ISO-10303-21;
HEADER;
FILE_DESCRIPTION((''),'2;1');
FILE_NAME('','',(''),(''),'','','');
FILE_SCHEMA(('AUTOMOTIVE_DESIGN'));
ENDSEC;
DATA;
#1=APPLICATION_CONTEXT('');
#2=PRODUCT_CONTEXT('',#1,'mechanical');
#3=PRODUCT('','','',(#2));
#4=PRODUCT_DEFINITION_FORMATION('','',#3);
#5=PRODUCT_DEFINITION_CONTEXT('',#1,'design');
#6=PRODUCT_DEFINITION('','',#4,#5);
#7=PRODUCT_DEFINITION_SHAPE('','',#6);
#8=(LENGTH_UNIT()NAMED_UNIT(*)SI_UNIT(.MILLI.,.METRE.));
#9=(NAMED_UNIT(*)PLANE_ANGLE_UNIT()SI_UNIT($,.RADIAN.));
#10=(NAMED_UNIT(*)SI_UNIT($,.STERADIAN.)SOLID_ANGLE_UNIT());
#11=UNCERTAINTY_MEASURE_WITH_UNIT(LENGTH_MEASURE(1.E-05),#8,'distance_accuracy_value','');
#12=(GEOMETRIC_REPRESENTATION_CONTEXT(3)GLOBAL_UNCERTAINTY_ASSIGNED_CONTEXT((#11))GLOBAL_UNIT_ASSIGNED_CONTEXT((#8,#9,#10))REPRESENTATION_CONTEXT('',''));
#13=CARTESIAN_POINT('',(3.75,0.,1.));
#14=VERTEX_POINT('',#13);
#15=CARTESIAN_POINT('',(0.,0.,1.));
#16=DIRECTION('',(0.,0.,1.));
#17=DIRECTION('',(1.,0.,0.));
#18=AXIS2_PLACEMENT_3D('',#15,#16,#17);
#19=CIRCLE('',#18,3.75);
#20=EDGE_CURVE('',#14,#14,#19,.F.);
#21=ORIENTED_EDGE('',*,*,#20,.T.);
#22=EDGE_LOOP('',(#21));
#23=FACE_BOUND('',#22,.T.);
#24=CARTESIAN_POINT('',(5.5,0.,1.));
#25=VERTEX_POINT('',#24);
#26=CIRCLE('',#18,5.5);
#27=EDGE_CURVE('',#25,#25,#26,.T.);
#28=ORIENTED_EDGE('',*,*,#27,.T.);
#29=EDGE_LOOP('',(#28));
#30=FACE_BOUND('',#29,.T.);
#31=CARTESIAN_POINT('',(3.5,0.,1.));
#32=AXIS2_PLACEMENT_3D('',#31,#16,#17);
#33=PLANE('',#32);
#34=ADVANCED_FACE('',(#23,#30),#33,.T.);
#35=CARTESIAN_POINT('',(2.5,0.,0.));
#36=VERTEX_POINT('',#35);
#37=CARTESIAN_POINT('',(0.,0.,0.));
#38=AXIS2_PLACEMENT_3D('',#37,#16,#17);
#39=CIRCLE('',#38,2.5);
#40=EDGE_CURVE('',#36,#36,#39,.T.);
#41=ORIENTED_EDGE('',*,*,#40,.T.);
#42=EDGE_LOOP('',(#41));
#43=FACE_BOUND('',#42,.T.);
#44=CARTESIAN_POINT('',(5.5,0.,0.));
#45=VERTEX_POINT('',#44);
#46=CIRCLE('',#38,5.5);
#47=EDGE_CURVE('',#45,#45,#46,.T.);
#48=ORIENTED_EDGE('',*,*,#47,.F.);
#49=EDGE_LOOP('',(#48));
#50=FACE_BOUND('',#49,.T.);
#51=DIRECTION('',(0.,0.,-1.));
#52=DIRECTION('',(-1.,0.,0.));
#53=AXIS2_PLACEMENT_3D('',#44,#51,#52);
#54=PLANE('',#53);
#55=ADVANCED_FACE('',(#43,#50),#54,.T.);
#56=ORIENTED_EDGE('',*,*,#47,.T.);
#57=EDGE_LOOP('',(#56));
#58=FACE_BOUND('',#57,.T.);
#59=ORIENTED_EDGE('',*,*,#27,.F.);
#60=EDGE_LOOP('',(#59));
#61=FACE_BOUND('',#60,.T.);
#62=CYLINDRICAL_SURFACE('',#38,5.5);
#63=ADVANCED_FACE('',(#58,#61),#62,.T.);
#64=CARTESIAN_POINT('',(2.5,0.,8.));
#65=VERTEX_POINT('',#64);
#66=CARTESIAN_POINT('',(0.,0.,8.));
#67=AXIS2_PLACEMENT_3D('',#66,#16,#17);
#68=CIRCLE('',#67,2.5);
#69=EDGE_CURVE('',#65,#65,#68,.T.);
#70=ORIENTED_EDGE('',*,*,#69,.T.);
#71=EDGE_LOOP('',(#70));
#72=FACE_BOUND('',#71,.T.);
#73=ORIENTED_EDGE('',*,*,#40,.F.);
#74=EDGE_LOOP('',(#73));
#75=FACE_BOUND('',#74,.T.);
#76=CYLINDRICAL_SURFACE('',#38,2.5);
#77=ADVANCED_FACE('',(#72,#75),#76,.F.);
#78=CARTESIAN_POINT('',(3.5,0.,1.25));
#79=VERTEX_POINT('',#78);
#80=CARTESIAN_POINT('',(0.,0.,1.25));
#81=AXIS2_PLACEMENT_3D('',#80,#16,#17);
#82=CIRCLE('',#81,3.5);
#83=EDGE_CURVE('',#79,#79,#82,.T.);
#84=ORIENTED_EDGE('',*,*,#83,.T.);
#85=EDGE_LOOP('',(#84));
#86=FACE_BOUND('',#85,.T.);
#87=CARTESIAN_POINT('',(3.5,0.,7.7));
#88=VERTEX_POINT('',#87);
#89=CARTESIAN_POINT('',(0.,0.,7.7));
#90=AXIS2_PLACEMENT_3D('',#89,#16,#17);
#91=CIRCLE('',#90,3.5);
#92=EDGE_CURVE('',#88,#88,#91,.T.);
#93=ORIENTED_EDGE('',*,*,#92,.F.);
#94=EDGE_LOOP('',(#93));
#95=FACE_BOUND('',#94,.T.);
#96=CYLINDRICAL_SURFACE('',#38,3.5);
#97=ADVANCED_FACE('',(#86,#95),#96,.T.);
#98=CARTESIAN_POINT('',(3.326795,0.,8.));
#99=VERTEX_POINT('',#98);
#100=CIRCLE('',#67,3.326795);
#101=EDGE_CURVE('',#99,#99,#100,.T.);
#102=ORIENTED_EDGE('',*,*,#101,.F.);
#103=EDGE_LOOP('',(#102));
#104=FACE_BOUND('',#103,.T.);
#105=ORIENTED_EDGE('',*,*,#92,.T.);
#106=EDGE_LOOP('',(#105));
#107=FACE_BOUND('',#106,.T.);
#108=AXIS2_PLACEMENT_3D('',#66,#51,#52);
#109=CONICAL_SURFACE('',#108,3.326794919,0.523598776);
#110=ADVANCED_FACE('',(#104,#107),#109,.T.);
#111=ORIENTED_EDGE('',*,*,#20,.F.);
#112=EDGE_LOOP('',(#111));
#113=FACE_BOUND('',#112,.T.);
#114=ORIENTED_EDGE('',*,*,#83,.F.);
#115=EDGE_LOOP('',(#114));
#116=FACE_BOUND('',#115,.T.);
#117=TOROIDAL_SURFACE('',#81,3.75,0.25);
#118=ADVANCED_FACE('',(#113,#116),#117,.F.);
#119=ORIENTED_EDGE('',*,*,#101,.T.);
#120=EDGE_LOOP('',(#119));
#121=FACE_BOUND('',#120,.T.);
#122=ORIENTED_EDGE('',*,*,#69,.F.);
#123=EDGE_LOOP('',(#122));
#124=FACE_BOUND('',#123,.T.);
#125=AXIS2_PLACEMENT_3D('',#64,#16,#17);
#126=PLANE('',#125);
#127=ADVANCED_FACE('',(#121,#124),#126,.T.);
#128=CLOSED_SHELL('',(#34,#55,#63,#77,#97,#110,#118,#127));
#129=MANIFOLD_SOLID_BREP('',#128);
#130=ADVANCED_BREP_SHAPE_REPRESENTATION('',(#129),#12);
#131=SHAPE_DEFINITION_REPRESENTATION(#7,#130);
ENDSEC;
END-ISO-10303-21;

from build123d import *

# Parameters (mm, degrees)
FILLET1_R = 0.25


with BuildPart() as part:
    # Sketch1 → Revolve1 (revolve)
    with BuildSketch(Plane(origin=(0, 0, 0), x_dir=(-1, 0, 0), z_dir=(0, 1, 0))):
        Polygon((-3.5, 1), (-5.5, 1), (-5.5, 0), (-2.5, 0), (-2.5, 8), (-3.326794919, 8), (-3.5, 7.7), align=None)
    revolve(axis=Axis((0, 0, 0), (0, 0, 1)))

    # Fillet1
    fillet1_edges = [part.edges().sort_by_distance(p)[0] for p in [
        (-3.5, 0, 1),
    ]]
    fillet(fillet1_edges, radius=FILLET1_R)


solid = part.part
